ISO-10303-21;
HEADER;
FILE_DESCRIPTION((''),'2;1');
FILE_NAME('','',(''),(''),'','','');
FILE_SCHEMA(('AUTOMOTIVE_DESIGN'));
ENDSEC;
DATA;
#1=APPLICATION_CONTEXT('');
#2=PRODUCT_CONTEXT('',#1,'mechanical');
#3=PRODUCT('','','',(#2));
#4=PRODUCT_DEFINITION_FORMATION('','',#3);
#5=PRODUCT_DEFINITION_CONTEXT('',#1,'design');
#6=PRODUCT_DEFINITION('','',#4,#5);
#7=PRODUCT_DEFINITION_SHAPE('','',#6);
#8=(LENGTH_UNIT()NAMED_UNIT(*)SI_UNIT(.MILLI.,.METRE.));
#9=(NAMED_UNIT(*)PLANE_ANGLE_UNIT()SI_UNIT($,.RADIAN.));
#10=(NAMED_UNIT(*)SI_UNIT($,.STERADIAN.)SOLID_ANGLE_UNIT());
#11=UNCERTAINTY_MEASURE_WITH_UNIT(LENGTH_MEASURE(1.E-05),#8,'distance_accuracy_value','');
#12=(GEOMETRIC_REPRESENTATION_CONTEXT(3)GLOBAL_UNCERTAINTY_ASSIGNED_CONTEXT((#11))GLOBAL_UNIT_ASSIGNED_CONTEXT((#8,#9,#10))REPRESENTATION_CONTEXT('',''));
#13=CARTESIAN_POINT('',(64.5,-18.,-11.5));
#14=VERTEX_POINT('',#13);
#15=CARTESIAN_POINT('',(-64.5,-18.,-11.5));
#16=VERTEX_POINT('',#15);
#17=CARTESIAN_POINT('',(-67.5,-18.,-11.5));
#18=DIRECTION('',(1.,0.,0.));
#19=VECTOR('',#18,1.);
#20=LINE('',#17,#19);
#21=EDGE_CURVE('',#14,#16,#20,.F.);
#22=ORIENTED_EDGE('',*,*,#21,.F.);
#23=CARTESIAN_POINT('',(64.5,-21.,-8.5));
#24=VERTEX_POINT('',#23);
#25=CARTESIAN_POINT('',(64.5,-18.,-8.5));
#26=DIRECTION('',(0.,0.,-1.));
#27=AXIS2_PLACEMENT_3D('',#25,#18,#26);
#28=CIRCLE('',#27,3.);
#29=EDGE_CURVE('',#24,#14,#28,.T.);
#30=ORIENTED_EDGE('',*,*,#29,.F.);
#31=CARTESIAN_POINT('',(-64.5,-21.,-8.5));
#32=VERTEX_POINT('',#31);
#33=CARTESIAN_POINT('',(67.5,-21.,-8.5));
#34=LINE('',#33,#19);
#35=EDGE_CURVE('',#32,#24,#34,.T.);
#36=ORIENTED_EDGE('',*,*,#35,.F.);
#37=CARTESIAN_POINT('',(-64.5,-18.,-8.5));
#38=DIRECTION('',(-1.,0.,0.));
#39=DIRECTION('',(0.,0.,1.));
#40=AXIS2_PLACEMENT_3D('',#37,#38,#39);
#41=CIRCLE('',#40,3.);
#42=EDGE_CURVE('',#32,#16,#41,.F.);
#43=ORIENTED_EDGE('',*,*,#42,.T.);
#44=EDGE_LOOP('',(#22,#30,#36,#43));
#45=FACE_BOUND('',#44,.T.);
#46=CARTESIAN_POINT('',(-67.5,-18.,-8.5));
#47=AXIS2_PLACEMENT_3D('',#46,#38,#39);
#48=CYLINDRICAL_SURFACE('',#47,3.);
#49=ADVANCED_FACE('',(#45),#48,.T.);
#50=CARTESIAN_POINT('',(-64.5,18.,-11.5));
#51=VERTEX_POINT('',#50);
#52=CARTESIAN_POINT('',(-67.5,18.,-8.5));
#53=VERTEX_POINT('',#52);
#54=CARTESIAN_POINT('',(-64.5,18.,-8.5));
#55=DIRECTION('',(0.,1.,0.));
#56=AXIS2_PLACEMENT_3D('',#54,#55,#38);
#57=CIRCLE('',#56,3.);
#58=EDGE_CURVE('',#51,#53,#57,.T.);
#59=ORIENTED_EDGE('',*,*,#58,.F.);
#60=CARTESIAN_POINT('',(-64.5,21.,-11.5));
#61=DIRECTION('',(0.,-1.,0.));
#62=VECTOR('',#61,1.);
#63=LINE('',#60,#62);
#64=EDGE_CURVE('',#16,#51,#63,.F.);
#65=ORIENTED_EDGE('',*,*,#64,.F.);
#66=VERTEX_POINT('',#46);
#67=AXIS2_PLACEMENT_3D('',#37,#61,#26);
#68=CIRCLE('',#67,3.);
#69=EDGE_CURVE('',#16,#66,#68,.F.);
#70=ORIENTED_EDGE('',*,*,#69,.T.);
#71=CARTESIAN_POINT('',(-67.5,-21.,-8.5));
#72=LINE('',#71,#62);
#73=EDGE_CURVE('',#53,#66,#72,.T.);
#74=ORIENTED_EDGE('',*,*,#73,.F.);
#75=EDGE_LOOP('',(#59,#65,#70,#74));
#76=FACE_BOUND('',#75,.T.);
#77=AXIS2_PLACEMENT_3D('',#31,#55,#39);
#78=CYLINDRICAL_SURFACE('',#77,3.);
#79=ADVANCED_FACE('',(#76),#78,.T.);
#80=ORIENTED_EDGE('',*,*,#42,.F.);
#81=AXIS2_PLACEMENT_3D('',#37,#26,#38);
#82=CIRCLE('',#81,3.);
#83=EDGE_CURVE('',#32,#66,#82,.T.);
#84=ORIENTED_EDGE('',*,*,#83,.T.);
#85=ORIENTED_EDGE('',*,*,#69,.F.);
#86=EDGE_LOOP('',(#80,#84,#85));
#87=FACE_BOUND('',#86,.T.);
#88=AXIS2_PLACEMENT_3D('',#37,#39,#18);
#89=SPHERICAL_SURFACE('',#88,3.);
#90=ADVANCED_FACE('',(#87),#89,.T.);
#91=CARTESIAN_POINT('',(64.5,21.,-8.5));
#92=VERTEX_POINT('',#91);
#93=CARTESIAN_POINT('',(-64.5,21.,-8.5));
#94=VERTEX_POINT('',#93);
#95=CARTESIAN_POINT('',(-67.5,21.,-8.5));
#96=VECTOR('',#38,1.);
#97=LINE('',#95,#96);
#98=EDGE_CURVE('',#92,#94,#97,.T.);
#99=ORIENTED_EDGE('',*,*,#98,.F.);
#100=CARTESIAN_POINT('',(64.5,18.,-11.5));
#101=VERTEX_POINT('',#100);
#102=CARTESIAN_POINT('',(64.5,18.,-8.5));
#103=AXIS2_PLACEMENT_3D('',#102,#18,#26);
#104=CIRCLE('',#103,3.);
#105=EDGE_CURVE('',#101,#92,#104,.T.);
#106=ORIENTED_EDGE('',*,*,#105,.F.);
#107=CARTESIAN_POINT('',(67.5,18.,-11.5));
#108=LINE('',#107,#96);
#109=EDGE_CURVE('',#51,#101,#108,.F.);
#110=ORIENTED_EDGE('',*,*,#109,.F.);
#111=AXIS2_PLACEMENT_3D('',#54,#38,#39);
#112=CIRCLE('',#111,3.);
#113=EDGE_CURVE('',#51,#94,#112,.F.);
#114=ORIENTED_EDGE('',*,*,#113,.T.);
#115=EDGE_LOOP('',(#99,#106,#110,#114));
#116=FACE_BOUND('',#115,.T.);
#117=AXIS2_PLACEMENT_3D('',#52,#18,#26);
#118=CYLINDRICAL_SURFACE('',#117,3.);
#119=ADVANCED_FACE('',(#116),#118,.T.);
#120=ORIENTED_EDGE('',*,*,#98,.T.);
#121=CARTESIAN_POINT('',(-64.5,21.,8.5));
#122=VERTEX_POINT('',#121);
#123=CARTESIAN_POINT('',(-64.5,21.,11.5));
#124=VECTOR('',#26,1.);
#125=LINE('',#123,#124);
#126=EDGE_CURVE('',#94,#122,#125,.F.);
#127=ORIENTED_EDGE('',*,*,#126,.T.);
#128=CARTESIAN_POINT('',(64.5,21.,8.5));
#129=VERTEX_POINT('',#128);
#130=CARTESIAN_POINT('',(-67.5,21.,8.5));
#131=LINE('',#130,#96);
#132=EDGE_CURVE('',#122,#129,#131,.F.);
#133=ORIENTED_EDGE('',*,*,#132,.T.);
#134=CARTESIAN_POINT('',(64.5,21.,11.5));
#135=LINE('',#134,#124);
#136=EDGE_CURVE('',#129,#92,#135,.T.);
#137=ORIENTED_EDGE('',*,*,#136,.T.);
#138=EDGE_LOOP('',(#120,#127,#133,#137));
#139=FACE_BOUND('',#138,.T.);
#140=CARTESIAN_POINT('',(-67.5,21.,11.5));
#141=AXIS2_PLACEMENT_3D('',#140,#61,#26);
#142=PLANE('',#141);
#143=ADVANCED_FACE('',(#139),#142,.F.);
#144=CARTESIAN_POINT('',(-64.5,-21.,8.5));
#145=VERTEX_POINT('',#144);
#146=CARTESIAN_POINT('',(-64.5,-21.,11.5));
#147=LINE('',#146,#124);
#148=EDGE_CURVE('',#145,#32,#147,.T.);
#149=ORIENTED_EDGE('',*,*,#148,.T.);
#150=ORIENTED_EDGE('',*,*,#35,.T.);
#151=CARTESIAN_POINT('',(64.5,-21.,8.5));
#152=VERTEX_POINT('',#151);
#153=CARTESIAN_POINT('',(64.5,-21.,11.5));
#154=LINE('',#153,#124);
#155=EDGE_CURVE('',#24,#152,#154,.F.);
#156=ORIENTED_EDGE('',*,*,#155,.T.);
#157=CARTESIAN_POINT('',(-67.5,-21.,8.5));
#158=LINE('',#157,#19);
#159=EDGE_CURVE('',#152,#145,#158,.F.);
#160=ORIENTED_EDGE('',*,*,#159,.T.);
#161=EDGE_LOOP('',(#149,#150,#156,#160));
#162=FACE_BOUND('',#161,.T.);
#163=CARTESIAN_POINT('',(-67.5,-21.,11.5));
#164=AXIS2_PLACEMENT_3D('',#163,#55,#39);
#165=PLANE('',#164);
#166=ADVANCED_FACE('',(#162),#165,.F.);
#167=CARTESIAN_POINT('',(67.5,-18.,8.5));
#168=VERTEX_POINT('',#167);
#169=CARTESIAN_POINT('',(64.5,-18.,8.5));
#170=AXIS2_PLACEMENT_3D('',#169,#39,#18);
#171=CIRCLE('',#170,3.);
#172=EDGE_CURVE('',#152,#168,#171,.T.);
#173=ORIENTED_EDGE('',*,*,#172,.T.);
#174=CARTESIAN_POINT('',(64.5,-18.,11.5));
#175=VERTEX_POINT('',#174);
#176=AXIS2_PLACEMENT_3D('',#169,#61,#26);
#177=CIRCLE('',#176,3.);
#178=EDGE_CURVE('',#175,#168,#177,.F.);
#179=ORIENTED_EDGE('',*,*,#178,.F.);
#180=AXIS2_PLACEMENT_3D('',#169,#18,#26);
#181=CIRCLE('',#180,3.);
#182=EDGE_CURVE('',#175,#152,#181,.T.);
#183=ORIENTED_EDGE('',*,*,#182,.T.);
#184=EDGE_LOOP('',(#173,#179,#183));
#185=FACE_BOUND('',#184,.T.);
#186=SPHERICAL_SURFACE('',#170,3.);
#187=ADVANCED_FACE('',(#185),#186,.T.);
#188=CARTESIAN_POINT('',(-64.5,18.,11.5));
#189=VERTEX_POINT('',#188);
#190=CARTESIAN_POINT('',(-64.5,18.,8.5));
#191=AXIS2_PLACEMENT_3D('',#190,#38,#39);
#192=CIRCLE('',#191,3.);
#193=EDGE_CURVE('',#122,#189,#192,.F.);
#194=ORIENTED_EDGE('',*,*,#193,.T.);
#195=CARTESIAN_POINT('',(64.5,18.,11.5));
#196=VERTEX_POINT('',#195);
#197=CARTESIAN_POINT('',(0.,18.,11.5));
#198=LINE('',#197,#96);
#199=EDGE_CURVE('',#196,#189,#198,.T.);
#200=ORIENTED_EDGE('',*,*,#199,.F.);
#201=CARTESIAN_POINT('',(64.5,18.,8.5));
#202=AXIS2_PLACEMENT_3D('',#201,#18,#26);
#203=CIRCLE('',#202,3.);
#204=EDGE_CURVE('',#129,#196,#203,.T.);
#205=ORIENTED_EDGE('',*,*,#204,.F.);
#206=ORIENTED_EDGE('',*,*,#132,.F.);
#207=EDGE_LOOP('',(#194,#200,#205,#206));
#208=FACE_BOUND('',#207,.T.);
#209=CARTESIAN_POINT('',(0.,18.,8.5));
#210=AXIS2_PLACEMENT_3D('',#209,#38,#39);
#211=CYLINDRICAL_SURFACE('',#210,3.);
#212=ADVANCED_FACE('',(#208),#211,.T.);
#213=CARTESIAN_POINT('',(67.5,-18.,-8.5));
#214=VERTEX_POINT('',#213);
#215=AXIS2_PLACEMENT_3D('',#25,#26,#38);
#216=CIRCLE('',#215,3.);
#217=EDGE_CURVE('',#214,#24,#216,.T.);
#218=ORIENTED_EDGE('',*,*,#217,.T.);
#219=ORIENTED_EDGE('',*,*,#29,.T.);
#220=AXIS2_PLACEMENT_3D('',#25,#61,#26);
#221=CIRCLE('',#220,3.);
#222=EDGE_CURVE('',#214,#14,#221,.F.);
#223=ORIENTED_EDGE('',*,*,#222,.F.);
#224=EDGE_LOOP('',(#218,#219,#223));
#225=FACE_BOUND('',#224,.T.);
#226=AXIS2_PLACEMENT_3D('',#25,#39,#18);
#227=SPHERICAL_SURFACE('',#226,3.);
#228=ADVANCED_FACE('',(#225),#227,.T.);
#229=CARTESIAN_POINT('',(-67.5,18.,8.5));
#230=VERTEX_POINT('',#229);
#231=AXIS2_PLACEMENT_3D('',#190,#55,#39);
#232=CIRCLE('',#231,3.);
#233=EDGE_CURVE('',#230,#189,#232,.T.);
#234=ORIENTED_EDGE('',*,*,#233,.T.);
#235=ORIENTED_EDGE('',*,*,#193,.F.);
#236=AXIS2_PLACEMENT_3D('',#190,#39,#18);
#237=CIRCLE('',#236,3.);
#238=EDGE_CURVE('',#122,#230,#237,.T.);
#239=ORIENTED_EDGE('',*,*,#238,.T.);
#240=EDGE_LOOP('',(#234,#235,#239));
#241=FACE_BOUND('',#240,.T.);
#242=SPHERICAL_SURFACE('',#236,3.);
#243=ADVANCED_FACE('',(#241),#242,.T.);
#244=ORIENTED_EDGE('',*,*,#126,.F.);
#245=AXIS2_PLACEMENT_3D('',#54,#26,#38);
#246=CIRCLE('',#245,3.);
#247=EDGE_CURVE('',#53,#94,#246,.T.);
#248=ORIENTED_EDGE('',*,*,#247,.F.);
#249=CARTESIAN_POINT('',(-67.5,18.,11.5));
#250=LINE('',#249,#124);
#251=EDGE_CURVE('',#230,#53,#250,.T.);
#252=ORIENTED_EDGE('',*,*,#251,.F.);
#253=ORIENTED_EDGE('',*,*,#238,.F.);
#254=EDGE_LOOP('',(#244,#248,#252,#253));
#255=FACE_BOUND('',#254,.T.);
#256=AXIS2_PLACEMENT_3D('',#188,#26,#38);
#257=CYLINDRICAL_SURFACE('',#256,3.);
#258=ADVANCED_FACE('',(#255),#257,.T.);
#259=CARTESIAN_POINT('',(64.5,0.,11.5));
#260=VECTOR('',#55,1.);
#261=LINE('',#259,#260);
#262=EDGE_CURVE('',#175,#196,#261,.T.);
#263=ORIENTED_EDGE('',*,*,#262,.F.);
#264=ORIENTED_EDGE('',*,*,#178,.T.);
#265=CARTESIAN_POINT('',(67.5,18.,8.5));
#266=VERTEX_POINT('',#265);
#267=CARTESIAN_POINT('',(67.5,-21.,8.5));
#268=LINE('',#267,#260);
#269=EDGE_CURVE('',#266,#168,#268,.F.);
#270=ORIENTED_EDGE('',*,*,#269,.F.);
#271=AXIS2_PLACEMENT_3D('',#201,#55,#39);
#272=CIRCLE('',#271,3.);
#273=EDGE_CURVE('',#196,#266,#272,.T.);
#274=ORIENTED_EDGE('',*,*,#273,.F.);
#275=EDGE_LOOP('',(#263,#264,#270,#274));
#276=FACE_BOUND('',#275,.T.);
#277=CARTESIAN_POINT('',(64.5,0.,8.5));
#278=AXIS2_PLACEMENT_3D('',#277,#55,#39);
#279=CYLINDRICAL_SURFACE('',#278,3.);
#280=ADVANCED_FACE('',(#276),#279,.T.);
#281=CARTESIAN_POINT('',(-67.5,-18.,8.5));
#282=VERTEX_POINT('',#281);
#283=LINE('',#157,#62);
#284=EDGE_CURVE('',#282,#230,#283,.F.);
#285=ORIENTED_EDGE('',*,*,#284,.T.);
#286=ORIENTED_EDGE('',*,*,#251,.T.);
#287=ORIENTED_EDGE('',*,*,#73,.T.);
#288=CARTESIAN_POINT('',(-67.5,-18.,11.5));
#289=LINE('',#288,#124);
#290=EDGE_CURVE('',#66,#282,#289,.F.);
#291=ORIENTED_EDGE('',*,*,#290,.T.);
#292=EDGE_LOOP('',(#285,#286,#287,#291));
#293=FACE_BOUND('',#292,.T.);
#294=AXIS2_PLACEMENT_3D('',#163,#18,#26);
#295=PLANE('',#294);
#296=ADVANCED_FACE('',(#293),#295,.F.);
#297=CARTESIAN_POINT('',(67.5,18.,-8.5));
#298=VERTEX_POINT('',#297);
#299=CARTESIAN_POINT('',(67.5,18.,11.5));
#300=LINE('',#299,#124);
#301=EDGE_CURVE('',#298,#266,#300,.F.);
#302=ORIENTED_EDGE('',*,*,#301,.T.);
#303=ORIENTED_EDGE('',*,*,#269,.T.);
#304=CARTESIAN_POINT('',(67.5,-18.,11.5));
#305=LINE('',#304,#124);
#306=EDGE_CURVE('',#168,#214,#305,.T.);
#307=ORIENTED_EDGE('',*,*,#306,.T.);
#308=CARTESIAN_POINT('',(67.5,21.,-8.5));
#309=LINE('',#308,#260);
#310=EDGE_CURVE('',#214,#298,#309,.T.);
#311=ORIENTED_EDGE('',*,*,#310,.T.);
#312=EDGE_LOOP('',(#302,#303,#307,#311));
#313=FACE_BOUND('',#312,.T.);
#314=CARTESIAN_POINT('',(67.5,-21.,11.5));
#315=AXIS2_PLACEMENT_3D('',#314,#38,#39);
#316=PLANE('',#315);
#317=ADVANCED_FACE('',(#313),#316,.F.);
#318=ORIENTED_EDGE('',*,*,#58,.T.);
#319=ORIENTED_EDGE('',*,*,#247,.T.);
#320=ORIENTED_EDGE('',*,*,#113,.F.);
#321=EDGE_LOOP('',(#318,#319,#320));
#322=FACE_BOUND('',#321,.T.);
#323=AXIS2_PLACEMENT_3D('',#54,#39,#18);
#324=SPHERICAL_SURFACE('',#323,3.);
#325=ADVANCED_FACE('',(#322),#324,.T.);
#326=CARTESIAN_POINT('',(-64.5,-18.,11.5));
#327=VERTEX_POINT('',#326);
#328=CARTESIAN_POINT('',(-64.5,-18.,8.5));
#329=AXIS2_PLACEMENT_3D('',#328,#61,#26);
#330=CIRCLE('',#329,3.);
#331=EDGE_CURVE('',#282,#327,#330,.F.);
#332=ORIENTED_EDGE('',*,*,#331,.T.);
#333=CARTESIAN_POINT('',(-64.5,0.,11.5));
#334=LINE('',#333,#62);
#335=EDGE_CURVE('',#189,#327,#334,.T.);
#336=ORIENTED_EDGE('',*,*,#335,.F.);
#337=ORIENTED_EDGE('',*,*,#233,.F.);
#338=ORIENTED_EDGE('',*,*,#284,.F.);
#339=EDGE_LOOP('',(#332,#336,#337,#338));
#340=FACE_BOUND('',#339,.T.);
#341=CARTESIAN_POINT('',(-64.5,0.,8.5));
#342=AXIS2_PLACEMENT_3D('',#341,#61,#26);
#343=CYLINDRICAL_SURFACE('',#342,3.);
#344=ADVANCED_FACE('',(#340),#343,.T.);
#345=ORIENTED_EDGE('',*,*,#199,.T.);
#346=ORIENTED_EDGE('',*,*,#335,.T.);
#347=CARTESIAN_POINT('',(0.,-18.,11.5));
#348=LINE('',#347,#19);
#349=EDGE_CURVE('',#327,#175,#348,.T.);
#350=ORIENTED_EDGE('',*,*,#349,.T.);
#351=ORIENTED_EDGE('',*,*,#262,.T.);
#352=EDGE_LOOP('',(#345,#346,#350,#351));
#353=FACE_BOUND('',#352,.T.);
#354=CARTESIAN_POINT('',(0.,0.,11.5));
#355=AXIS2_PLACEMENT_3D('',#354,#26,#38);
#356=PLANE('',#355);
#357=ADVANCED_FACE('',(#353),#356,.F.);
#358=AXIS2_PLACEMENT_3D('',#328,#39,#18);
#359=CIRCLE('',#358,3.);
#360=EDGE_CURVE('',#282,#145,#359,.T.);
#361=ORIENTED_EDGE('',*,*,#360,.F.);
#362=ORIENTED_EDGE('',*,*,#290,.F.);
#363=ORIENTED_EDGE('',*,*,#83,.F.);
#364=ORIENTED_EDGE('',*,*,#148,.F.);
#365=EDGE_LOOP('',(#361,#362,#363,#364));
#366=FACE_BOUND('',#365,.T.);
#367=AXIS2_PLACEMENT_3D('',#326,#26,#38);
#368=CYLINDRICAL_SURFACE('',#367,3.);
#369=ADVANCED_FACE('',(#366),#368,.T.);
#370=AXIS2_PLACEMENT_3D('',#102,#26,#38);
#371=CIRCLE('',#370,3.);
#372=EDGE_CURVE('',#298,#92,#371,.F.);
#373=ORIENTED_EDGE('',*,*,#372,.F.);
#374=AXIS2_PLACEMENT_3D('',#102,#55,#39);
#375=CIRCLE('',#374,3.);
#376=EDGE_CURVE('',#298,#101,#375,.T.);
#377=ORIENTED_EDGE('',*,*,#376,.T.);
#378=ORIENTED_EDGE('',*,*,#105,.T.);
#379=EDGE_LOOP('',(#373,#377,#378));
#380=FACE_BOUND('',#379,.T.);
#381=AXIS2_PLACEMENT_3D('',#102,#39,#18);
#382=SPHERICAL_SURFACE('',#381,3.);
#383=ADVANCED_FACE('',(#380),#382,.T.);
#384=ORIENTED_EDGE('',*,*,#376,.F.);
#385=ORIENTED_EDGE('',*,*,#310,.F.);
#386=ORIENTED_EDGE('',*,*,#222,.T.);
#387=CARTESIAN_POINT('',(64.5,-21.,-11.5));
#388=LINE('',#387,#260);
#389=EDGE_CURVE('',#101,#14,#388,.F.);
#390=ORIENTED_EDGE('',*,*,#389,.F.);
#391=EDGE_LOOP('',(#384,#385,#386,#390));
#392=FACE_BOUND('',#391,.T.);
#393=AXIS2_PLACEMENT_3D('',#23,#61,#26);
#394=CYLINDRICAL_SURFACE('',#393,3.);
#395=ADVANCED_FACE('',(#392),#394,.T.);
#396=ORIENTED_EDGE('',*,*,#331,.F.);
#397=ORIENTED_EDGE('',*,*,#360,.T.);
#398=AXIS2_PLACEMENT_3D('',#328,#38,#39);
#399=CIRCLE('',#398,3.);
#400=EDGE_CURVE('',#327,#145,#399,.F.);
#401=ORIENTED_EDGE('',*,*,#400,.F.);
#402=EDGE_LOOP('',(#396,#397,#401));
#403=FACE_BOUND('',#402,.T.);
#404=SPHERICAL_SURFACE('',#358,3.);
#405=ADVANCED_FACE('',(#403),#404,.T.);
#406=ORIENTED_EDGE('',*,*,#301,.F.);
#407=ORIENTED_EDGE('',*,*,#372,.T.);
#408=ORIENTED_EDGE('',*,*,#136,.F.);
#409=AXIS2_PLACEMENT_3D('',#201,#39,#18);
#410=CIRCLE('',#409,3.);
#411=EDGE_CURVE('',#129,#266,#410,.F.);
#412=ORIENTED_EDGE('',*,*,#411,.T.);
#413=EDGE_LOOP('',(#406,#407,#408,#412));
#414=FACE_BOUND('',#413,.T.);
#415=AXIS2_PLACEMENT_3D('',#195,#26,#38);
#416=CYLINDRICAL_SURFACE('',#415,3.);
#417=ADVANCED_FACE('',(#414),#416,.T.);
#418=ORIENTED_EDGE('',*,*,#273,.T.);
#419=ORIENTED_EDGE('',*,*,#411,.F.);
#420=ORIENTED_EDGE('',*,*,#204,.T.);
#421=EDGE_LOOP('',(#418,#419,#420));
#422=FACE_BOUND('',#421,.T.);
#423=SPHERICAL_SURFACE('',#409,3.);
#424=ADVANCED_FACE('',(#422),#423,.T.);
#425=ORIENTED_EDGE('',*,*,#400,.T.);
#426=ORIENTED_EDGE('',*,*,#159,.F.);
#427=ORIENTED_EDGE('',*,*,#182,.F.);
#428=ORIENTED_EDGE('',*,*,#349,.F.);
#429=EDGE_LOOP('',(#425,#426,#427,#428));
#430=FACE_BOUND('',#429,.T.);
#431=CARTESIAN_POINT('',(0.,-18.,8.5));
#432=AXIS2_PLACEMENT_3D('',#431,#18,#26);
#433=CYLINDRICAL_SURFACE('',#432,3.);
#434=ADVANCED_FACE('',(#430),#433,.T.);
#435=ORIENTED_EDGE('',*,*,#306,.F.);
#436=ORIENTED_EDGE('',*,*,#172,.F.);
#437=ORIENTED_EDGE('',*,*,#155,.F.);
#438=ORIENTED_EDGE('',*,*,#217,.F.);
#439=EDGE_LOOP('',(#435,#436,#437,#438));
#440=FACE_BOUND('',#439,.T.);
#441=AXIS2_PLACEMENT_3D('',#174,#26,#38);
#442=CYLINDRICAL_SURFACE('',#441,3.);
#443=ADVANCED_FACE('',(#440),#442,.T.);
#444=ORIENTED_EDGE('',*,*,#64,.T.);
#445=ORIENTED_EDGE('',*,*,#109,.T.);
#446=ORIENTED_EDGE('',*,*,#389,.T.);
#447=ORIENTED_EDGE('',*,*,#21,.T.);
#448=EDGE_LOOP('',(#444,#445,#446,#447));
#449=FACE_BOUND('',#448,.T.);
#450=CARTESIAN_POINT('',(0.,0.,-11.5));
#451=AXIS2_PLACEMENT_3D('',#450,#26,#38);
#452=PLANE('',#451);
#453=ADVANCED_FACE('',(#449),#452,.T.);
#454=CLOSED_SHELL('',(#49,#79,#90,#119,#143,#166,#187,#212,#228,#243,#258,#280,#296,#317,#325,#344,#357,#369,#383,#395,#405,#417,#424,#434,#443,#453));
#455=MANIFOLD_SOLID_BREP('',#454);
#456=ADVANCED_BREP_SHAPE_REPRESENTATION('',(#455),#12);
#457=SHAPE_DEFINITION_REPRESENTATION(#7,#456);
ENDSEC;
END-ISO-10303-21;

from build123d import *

# Parameters (mm, degrees)
ESBO_O1_W                = 135
ESBO_O1_H                = 42
RESSALTO_EXTRUS_O1_DEPTH = 11.5
FILETE1_R                = 3


with BuildPart() as part:
    # Esboço1 → Ressalto-extrusão1 (new body, symmetric)
    with BuildSketch(Plane.XY):
        Rectangle(ESBO_O1_W, ESBO_O1_H)
    extrude(amount=RESSALTO_EXTRUS_O1_DEPTH, both=True)

    # Filete1
    filete1_edges = [part.edges().sort_by_distance(p)[0] for p in [
        (-67.5, 0, 11.5),
        (0, -21, 11.5),
        (67.5, 0, 11.5),
        (0, -21, -11.5),
        (-67.5, 0, -11.5),
        (0, 21, -11.5),
        (67.5, 0, -11.5),
        (0, 21, 11.5),
        (67.5, -21, 0),
        (-67.5, -21, 0),
        (-67.5, 21, 0),
        (67.5, 21, 0),
    ]]
    fillet(filete1_edges, radius=FILETE1_R)


solid = part.part
